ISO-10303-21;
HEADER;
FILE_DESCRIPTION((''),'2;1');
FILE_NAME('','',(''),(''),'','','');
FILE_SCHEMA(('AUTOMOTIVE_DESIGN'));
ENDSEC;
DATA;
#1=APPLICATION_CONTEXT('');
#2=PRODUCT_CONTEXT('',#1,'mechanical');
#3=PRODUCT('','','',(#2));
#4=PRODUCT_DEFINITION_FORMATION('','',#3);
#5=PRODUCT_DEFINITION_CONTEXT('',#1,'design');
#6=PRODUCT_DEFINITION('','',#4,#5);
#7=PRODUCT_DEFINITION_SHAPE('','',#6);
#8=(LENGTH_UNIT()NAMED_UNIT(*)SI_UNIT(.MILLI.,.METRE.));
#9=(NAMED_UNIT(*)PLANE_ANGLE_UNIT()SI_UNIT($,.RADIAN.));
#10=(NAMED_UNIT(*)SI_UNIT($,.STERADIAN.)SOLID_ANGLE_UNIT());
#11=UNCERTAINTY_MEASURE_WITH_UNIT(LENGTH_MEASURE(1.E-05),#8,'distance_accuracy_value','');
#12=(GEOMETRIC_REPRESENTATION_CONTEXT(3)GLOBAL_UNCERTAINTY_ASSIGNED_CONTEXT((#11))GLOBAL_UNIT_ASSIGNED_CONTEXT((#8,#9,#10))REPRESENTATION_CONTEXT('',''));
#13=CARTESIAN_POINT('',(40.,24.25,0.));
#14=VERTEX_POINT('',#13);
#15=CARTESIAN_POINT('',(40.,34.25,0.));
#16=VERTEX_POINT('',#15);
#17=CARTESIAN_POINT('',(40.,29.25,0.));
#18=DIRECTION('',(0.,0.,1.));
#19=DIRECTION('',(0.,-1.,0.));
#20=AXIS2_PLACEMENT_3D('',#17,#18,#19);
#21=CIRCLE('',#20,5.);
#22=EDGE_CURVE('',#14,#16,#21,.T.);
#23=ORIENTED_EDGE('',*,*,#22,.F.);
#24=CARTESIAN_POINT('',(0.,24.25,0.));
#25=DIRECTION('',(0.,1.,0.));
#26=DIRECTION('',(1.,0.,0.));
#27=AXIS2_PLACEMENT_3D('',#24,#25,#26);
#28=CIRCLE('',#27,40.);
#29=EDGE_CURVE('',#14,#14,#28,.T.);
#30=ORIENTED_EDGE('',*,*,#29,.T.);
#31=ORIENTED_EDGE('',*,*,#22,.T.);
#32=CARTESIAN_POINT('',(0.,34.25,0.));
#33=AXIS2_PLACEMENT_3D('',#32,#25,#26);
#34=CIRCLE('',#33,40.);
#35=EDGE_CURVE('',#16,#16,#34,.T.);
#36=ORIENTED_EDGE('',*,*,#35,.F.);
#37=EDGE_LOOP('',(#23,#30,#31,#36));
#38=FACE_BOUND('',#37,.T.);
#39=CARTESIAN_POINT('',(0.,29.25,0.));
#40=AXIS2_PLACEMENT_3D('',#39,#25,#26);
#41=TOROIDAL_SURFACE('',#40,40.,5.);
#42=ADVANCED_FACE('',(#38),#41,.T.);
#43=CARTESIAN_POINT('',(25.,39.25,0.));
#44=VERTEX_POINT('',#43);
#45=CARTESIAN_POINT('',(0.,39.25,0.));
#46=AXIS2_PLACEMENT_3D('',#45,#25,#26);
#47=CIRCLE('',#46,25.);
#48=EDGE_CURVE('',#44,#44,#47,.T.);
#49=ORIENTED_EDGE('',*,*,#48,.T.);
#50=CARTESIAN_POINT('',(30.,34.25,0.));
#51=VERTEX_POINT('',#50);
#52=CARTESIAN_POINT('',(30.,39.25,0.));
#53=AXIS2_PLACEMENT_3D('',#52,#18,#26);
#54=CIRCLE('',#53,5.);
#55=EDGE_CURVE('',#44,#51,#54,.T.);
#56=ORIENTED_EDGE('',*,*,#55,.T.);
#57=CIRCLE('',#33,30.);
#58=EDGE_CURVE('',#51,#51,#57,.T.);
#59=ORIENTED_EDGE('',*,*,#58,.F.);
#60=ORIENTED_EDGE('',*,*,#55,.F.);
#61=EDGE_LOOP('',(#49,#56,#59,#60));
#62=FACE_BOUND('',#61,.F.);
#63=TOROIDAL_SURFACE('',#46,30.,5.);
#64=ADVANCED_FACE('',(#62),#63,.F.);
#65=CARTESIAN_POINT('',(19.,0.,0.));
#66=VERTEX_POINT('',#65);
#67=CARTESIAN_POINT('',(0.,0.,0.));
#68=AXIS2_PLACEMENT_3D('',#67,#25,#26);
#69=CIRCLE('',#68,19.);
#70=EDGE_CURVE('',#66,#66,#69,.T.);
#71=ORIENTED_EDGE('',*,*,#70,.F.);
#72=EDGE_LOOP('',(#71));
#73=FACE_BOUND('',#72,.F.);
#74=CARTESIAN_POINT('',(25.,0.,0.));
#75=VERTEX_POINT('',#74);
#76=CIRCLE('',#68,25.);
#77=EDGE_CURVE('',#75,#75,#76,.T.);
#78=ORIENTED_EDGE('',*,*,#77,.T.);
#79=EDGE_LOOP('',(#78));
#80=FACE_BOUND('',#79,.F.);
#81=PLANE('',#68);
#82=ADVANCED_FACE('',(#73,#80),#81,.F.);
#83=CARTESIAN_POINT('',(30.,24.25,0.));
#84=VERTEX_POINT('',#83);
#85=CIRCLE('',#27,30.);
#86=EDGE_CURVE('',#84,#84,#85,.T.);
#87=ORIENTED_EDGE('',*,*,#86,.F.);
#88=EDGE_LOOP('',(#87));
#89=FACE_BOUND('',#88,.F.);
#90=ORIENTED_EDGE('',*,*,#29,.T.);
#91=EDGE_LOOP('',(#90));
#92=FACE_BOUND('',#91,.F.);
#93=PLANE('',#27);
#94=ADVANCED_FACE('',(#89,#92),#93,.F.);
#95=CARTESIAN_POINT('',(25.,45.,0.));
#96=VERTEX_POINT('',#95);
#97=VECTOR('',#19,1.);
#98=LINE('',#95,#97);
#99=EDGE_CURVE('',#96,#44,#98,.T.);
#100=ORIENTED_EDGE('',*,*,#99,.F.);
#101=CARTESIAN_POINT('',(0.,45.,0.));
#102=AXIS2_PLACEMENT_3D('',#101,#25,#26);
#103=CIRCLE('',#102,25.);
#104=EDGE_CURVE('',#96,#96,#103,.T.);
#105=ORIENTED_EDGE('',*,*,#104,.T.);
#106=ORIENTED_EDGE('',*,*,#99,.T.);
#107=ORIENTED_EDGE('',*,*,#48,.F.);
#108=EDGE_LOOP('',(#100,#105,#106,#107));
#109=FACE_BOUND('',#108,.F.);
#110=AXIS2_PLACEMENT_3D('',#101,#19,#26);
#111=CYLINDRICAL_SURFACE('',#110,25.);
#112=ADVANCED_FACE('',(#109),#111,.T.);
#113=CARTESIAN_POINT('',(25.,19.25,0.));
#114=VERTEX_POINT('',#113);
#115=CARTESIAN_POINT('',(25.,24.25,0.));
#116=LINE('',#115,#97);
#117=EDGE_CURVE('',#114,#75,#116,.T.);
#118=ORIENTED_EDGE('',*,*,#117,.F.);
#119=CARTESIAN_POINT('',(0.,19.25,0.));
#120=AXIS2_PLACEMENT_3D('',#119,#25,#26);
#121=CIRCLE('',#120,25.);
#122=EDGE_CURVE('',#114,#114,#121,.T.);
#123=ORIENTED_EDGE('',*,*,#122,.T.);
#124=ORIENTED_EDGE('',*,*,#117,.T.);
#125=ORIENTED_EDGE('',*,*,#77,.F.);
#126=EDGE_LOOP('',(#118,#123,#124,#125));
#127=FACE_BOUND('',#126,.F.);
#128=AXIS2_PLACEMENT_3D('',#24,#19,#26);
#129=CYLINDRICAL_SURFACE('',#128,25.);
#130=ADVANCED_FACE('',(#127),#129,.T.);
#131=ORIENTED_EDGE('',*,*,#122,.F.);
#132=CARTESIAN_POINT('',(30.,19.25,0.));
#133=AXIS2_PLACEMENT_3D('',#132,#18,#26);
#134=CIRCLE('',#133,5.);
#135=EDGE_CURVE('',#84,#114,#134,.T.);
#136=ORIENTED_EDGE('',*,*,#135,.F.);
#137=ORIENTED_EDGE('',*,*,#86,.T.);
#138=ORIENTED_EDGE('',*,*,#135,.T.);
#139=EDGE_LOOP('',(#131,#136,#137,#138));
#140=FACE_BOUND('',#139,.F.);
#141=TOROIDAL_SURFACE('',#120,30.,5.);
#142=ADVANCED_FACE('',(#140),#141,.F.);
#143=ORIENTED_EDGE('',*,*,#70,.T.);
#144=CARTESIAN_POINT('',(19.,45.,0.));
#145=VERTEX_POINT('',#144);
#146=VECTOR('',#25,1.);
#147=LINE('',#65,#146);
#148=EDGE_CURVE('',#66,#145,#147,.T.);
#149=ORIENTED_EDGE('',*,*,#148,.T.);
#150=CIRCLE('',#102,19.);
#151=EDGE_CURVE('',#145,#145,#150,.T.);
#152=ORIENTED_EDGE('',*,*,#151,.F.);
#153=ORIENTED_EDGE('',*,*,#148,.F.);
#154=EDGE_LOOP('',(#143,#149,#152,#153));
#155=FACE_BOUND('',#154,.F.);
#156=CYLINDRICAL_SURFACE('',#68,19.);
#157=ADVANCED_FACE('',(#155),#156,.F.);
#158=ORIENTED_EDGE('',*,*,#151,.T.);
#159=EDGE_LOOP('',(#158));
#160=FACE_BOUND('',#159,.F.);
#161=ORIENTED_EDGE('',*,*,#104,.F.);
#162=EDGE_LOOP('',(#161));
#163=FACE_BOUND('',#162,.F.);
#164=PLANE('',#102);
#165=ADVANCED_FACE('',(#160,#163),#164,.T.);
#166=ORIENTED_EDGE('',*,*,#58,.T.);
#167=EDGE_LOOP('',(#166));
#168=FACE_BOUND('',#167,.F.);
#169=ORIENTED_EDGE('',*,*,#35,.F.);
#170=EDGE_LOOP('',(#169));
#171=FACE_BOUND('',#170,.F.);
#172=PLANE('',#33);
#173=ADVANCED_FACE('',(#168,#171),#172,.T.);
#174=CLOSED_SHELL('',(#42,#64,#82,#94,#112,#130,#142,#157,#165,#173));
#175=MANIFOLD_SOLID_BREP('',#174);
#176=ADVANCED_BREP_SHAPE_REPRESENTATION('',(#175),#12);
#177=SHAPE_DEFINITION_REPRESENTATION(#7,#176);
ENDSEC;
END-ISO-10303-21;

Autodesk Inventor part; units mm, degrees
ref_plane "YZ Plane" through (0, 0, 0) normal (1, 0, 0) x (0, 1, 0)
ref_plane "XZ Plane" through (0, 0, 0) normal (0, 1, 0) x (-1, 0, 0)
ref_plane "XY Plane" through (0, 0, 0) normal (0, 0, 1) x (1, 0, 0)
sketch "Sketch1" plane through (0, 0, 0) normal (0, 0, 1) x (1, 0, 0)
  line L0 (0, 0) -> (0, 45)
  line L1 (19, 0) -> (19, 45)
  line L2 (19, 45) -> (25, 45)
  line L3 (25, 45) -> (25, 34.25)
  line L4 (25, 34.25) -> (40, 34.25)
  line L5 (40, 24.25) -> (25, 24.25)
  line L6 (25, 24.25) -> (25, 0)
  line L7 (25, 0) -> (19, 0)
  arc A0 (40, 24.25) -> (40, 34.25) centre (40, 29.25) ccw
  point P0 (45, 29.25)
  dimension "d2" = 45
  dimension "d3" = 38
  dimension "d4" = 6
  dimension "d6" = 10
  dimension "d8" = 90
revolve "Revolution1" add sketch "Sketch1" angle 360 about axis through (0, 0, 0) along (0, 1, 0)
fillet "Fillet1" radius 5 2 edges at (-25, 34.25, 0) (-25, 24.25, 0)
thread "Thread1" size "M38x1.5" class "6H" standard "ISO Metric profile" full length
properties part number "nut" material "Brass, Soft Yellow, Welded"
